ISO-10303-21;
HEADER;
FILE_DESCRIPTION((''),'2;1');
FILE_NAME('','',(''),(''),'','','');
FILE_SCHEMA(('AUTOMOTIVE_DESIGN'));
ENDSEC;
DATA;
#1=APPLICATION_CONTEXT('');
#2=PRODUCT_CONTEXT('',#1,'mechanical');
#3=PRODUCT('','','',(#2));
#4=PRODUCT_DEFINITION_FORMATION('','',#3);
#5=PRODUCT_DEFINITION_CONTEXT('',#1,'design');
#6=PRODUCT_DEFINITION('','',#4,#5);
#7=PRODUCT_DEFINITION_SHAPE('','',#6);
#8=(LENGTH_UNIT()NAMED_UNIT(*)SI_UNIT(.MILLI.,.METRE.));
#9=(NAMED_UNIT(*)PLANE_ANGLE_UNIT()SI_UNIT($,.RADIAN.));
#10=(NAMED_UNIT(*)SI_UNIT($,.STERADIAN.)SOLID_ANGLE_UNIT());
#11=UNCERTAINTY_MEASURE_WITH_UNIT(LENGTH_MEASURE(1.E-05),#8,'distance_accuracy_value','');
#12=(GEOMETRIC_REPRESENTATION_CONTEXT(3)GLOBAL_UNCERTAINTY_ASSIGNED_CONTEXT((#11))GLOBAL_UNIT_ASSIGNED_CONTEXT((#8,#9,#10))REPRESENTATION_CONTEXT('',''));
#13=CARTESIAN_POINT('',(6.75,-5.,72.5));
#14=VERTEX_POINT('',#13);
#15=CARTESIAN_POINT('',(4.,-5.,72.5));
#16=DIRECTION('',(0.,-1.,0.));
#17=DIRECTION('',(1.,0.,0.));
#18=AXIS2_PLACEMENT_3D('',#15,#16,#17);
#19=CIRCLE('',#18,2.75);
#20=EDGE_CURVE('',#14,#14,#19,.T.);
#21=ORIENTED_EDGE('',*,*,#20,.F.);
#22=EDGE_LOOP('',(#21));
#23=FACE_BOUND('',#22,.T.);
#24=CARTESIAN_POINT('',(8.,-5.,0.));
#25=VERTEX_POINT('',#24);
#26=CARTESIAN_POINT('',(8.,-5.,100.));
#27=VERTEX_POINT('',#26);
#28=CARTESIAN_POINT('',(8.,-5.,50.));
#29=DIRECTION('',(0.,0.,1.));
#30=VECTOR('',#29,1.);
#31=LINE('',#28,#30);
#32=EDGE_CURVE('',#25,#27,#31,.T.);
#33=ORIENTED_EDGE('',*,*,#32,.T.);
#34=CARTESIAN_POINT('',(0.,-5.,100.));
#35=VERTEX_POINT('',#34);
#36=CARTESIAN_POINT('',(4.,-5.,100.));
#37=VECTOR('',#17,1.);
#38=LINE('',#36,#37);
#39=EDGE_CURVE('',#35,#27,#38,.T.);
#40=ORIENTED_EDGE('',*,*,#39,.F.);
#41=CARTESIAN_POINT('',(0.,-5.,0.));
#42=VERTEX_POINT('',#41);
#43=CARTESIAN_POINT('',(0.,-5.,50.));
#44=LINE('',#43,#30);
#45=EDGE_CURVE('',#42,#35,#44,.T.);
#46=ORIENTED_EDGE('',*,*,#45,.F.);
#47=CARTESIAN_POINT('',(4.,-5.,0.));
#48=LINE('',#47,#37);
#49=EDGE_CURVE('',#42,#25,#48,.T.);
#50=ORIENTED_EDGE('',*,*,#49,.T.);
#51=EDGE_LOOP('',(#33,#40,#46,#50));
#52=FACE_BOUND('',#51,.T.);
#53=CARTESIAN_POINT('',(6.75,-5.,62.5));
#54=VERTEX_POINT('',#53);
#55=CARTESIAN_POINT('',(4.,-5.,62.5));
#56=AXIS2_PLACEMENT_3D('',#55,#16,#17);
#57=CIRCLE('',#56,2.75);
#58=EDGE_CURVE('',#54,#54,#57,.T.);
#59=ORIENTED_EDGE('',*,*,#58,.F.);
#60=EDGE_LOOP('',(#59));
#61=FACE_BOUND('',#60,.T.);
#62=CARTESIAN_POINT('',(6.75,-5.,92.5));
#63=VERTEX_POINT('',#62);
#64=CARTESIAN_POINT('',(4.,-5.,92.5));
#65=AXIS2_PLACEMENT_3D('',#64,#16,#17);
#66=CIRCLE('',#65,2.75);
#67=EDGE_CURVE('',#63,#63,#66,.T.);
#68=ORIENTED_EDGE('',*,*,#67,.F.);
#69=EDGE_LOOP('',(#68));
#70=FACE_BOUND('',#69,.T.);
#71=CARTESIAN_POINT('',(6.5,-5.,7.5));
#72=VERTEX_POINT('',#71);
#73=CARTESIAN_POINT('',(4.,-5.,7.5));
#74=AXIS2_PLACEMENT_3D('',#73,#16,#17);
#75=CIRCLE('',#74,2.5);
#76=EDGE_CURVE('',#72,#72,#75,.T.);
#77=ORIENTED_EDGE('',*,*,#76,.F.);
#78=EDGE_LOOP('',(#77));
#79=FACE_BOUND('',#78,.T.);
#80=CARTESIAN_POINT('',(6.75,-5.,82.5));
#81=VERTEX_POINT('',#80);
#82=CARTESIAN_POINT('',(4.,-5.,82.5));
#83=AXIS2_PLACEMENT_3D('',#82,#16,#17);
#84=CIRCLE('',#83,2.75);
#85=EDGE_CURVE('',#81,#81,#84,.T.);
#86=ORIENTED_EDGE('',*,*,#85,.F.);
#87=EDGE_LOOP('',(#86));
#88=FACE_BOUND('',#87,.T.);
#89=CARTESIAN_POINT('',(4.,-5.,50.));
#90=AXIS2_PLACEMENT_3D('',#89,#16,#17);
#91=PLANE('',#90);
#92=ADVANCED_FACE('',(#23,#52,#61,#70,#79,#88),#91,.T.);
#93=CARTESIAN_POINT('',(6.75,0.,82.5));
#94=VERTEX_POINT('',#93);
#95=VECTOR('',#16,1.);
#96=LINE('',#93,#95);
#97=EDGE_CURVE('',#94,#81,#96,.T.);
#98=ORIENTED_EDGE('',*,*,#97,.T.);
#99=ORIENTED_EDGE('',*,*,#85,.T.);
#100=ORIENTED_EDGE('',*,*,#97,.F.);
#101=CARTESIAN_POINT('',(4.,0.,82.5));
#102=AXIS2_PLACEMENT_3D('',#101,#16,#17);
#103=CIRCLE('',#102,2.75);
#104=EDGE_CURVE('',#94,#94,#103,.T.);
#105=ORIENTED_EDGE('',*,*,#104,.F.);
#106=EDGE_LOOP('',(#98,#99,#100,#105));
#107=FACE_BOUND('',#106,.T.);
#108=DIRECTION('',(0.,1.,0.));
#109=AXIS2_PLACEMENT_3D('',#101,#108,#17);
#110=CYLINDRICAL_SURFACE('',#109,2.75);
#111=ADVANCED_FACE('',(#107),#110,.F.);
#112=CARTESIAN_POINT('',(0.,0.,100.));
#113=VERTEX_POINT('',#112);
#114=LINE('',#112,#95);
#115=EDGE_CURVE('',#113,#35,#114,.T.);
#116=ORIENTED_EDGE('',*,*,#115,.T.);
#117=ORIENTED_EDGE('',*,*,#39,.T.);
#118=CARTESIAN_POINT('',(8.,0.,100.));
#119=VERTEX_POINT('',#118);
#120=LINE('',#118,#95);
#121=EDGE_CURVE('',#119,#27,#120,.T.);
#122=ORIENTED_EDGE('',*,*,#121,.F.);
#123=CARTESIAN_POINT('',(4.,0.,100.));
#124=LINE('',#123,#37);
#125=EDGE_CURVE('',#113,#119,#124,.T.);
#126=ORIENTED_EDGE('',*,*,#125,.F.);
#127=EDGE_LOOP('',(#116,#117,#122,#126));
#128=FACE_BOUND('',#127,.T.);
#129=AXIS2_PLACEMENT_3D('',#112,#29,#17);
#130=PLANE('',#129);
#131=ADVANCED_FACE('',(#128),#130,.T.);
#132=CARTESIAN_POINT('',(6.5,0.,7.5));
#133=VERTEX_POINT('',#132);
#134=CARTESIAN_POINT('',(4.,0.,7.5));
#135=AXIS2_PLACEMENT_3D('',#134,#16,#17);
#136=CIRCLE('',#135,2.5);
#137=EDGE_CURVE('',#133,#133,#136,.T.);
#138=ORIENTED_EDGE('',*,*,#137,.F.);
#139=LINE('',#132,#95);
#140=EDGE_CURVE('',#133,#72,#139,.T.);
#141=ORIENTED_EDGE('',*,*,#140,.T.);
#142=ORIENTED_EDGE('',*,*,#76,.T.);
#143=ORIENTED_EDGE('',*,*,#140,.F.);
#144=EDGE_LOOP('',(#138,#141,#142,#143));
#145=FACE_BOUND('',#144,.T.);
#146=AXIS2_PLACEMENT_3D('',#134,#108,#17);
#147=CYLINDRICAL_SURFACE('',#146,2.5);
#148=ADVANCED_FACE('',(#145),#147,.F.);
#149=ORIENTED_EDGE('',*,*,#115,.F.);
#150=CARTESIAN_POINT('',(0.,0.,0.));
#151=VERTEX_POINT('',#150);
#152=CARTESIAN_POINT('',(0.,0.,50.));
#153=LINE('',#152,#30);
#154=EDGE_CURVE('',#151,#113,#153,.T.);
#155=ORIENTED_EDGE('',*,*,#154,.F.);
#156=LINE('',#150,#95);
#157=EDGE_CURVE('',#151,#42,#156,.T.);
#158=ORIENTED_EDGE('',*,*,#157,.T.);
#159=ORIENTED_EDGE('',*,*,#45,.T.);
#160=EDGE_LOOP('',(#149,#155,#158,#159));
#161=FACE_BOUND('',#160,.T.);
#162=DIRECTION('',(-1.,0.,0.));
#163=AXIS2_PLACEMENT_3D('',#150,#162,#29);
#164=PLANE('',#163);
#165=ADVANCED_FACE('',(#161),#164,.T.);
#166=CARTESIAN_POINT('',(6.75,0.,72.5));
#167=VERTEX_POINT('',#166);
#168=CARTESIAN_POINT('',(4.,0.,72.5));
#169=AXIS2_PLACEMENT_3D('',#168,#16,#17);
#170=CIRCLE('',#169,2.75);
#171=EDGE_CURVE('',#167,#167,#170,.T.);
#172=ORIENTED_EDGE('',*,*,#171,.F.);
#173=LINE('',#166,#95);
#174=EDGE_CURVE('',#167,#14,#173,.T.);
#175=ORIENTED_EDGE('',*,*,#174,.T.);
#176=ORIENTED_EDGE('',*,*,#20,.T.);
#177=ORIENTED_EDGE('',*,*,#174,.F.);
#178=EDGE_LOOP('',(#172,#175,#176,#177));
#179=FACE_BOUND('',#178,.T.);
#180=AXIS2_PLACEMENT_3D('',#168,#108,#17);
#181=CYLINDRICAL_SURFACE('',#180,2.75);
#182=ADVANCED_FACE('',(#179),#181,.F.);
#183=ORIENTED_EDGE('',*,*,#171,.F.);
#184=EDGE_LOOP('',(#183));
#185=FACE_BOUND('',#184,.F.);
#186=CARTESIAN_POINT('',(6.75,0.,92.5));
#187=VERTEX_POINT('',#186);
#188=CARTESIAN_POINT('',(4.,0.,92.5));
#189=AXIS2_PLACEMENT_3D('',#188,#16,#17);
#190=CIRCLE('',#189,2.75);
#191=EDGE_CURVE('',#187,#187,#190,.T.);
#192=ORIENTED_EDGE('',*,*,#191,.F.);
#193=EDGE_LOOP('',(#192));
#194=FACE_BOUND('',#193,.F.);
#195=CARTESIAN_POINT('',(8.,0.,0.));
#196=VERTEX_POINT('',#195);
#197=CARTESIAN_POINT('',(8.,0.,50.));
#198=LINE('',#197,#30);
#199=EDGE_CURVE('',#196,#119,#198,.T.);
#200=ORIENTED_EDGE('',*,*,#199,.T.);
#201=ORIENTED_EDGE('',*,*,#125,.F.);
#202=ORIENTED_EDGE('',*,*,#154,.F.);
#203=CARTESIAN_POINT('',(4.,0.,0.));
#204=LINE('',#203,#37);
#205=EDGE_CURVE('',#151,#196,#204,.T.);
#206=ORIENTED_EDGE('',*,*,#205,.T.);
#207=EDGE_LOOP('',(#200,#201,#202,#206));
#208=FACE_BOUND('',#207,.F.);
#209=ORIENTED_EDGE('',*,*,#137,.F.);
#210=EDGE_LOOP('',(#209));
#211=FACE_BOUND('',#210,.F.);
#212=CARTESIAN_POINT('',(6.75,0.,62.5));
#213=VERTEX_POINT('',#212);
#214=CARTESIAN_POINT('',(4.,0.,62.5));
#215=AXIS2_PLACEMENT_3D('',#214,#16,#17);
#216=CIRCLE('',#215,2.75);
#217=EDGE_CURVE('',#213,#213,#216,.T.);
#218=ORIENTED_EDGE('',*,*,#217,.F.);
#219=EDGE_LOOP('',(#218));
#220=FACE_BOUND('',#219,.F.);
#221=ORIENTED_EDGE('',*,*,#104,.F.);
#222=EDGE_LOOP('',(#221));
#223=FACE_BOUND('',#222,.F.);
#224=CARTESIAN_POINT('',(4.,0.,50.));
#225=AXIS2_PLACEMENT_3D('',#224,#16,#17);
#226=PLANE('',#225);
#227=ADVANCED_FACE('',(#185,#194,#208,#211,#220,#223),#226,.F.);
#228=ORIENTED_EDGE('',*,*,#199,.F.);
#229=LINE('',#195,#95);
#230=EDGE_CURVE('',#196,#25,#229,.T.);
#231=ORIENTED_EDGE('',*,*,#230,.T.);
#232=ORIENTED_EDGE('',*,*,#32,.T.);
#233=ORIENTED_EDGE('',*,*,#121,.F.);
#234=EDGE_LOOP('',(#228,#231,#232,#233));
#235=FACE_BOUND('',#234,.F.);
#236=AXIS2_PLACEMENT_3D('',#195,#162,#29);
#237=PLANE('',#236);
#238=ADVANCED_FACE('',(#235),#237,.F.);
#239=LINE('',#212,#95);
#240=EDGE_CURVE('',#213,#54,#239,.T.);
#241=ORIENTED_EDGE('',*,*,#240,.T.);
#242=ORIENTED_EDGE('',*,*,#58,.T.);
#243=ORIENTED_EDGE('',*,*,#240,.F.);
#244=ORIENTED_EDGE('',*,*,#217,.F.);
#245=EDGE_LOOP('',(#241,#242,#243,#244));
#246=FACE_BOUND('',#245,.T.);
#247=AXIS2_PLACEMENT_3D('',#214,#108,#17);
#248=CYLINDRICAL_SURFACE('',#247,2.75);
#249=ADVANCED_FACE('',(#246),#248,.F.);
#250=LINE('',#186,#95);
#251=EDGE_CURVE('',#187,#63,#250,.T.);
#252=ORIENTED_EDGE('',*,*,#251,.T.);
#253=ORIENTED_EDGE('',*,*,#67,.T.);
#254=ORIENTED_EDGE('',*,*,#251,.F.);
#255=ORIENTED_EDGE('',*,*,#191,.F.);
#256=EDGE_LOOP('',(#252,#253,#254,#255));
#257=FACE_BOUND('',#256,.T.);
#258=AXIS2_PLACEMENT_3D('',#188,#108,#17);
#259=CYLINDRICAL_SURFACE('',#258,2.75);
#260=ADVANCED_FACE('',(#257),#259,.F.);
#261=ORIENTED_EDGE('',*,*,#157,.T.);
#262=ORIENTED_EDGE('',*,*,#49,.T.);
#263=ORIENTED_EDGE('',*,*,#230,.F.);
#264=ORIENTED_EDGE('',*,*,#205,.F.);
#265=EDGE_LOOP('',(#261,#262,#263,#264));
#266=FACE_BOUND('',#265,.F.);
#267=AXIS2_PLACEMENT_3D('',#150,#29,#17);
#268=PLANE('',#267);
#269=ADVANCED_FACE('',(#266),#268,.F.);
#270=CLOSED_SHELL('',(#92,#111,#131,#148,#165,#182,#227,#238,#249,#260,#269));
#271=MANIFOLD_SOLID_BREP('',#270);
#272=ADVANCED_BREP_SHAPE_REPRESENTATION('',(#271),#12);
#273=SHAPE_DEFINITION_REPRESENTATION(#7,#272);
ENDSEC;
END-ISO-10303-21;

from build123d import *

# Parameters (mm, degrees)
F0_W     = 8
F0_H     = 100
F0_R     = 2.5
F0_R_2   = 2.75
F1_DEPTH = 5


with BuildPart() as f1:
    # F0 (on Front) → F1 (new body)
    with BuildSketch(Plane.XZ):
        with Locations((4, 50)):
            Rectangle(F0_W, F0_H)
        with Locations((4, 7.5)):
            Circle(F0_R, mode=Mode.SUBTRACT)
        with Locations((4, 62.5)):
            Circle(F0_R_2, mode=Mode.SUBTRACT)
        with Locations((4, 72.5)):
            Circle(F0_R_2, mode=Mode.SUBTRACT)
        with Locations((4, 82.5)):
            Circle(F0_R_2, mode=Mode.SUBTRACT)
        with Locations((4, 92.5)):
            Circle(F0_R_2, mode=Mode.SUBTRACT)
    extrude(amount=F1_DEPTH)


solid = f1.part
